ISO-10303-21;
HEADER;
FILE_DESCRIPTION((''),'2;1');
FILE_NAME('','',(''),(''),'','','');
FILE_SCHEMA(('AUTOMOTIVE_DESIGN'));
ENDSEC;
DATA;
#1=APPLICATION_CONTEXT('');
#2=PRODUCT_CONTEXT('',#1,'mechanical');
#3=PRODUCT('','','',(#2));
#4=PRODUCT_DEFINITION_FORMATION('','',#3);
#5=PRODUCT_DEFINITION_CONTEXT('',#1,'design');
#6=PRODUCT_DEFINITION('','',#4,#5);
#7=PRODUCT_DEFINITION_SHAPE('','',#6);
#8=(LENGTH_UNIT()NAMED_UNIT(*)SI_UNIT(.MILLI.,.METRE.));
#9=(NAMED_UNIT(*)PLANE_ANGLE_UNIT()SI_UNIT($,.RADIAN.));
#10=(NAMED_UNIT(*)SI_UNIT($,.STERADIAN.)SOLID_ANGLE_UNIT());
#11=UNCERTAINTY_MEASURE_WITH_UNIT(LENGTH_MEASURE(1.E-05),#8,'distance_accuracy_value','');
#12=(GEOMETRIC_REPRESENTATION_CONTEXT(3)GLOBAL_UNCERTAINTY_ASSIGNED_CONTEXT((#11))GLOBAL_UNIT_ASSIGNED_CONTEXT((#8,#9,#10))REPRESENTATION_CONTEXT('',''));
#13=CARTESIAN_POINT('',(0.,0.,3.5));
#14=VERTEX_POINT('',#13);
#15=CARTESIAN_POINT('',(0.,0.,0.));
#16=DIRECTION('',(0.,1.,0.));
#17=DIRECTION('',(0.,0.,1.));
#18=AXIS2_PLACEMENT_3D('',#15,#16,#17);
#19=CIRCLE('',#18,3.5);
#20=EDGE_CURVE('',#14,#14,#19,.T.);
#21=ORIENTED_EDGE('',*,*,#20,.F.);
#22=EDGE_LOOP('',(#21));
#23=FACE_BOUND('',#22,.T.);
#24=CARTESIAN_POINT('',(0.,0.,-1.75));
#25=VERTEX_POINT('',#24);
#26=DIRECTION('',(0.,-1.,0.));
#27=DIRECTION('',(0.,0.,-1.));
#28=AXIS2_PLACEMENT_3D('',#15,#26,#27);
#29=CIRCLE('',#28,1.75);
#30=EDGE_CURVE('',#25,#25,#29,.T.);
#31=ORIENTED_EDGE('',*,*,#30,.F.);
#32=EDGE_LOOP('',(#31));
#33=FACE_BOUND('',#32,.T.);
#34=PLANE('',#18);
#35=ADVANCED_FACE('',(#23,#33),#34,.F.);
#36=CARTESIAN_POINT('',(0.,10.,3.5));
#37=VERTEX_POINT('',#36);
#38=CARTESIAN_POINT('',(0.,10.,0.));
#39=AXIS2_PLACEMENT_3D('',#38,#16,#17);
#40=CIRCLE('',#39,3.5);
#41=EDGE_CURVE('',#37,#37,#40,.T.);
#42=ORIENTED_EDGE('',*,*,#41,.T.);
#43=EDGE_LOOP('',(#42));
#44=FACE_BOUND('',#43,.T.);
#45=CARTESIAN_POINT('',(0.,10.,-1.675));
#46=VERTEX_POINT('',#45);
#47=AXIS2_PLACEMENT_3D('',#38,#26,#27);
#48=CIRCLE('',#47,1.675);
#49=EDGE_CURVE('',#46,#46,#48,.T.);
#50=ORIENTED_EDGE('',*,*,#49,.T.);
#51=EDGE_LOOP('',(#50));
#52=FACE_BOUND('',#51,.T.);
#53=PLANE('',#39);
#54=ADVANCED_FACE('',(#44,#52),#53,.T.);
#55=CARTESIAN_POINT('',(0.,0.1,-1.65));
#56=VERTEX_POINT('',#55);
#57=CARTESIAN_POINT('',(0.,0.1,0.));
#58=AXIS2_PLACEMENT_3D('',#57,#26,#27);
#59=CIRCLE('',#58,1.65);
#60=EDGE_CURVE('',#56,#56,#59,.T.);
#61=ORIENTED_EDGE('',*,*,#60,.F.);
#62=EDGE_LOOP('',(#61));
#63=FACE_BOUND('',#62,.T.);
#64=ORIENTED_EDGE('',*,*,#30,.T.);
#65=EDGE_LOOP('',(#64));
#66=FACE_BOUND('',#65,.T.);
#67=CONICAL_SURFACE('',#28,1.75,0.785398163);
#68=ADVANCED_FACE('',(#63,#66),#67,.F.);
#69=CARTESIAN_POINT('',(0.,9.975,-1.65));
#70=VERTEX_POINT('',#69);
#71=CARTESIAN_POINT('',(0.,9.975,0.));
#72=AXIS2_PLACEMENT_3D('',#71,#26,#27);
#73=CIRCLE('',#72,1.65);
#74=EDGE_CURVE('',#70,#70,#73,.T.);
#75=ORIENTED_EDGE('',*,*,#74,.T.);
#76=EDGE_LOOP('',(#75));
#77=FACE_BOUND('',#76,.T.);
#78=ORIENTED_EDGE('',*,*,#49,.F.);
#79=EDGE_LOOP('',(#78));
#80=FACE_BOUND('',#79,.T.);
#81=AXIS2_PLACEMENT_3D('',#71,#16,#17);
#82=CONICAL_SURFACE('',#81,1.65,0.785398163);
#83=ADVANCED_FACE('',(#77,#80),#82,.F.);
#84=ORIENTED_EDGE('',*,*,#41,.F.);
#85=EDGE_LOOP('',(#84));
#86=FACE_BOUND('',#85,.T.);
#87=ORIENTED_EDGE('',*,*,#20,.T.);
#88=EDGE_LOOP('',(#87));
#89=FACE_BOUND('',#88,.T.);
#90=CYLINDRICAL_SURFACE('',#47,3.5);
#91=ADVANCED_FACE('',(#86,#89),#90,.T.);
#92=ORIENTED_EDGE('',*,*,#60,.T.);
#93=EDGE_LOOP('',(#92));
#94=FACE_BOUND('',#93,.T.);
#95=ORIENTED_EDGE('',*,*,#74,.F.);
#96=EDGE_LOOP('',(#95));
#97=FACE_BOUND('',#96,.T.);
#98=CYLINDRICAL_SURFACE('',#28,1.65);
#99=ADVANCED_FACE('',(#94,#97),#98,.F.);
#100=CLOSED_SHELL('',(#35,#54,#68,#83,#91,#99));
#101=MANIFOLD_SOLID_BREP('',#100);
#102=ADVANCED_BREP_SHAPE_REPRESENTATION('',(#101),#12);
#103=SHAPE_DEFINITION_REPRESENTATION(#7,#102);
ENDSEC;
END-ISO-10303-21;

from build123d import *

# Parameters (mm, degrees)
SKETCH1_R           = 3.5
BOSS_EXTRUDE1_DEPTH = 10


with BuildPart() as part:
    # Sketch1 → Boss-Extrude1 (new body)
    with BuildSketch(Plane(origin=(0, 0, 0), x_dir=(1, 0, 0), z_dir=(0, 1, 0))):
        Circle(SKETCH1_R)
    extrude(amount=BOSS_EXTRUDE1_DEPTH)

    # Sketch5 → Tap Drill for M4 Tap1 (revolve, cut)
    with BuildSketch(Plane(origin=(0, 0, 0), x_dir=(0, 0, -1), z_dir=(1, 0, 0))):
        Polygon((0, 0), (0, 10), (1.675, 10), (1.65, 9.975), (1.65, 0.1), (1.75, 0), align=None)
    revolve(axis=Axis((0, -6.35, 0), (0, 1, 0)), mode=Mode.SUBTRACT)


solid = part.part
